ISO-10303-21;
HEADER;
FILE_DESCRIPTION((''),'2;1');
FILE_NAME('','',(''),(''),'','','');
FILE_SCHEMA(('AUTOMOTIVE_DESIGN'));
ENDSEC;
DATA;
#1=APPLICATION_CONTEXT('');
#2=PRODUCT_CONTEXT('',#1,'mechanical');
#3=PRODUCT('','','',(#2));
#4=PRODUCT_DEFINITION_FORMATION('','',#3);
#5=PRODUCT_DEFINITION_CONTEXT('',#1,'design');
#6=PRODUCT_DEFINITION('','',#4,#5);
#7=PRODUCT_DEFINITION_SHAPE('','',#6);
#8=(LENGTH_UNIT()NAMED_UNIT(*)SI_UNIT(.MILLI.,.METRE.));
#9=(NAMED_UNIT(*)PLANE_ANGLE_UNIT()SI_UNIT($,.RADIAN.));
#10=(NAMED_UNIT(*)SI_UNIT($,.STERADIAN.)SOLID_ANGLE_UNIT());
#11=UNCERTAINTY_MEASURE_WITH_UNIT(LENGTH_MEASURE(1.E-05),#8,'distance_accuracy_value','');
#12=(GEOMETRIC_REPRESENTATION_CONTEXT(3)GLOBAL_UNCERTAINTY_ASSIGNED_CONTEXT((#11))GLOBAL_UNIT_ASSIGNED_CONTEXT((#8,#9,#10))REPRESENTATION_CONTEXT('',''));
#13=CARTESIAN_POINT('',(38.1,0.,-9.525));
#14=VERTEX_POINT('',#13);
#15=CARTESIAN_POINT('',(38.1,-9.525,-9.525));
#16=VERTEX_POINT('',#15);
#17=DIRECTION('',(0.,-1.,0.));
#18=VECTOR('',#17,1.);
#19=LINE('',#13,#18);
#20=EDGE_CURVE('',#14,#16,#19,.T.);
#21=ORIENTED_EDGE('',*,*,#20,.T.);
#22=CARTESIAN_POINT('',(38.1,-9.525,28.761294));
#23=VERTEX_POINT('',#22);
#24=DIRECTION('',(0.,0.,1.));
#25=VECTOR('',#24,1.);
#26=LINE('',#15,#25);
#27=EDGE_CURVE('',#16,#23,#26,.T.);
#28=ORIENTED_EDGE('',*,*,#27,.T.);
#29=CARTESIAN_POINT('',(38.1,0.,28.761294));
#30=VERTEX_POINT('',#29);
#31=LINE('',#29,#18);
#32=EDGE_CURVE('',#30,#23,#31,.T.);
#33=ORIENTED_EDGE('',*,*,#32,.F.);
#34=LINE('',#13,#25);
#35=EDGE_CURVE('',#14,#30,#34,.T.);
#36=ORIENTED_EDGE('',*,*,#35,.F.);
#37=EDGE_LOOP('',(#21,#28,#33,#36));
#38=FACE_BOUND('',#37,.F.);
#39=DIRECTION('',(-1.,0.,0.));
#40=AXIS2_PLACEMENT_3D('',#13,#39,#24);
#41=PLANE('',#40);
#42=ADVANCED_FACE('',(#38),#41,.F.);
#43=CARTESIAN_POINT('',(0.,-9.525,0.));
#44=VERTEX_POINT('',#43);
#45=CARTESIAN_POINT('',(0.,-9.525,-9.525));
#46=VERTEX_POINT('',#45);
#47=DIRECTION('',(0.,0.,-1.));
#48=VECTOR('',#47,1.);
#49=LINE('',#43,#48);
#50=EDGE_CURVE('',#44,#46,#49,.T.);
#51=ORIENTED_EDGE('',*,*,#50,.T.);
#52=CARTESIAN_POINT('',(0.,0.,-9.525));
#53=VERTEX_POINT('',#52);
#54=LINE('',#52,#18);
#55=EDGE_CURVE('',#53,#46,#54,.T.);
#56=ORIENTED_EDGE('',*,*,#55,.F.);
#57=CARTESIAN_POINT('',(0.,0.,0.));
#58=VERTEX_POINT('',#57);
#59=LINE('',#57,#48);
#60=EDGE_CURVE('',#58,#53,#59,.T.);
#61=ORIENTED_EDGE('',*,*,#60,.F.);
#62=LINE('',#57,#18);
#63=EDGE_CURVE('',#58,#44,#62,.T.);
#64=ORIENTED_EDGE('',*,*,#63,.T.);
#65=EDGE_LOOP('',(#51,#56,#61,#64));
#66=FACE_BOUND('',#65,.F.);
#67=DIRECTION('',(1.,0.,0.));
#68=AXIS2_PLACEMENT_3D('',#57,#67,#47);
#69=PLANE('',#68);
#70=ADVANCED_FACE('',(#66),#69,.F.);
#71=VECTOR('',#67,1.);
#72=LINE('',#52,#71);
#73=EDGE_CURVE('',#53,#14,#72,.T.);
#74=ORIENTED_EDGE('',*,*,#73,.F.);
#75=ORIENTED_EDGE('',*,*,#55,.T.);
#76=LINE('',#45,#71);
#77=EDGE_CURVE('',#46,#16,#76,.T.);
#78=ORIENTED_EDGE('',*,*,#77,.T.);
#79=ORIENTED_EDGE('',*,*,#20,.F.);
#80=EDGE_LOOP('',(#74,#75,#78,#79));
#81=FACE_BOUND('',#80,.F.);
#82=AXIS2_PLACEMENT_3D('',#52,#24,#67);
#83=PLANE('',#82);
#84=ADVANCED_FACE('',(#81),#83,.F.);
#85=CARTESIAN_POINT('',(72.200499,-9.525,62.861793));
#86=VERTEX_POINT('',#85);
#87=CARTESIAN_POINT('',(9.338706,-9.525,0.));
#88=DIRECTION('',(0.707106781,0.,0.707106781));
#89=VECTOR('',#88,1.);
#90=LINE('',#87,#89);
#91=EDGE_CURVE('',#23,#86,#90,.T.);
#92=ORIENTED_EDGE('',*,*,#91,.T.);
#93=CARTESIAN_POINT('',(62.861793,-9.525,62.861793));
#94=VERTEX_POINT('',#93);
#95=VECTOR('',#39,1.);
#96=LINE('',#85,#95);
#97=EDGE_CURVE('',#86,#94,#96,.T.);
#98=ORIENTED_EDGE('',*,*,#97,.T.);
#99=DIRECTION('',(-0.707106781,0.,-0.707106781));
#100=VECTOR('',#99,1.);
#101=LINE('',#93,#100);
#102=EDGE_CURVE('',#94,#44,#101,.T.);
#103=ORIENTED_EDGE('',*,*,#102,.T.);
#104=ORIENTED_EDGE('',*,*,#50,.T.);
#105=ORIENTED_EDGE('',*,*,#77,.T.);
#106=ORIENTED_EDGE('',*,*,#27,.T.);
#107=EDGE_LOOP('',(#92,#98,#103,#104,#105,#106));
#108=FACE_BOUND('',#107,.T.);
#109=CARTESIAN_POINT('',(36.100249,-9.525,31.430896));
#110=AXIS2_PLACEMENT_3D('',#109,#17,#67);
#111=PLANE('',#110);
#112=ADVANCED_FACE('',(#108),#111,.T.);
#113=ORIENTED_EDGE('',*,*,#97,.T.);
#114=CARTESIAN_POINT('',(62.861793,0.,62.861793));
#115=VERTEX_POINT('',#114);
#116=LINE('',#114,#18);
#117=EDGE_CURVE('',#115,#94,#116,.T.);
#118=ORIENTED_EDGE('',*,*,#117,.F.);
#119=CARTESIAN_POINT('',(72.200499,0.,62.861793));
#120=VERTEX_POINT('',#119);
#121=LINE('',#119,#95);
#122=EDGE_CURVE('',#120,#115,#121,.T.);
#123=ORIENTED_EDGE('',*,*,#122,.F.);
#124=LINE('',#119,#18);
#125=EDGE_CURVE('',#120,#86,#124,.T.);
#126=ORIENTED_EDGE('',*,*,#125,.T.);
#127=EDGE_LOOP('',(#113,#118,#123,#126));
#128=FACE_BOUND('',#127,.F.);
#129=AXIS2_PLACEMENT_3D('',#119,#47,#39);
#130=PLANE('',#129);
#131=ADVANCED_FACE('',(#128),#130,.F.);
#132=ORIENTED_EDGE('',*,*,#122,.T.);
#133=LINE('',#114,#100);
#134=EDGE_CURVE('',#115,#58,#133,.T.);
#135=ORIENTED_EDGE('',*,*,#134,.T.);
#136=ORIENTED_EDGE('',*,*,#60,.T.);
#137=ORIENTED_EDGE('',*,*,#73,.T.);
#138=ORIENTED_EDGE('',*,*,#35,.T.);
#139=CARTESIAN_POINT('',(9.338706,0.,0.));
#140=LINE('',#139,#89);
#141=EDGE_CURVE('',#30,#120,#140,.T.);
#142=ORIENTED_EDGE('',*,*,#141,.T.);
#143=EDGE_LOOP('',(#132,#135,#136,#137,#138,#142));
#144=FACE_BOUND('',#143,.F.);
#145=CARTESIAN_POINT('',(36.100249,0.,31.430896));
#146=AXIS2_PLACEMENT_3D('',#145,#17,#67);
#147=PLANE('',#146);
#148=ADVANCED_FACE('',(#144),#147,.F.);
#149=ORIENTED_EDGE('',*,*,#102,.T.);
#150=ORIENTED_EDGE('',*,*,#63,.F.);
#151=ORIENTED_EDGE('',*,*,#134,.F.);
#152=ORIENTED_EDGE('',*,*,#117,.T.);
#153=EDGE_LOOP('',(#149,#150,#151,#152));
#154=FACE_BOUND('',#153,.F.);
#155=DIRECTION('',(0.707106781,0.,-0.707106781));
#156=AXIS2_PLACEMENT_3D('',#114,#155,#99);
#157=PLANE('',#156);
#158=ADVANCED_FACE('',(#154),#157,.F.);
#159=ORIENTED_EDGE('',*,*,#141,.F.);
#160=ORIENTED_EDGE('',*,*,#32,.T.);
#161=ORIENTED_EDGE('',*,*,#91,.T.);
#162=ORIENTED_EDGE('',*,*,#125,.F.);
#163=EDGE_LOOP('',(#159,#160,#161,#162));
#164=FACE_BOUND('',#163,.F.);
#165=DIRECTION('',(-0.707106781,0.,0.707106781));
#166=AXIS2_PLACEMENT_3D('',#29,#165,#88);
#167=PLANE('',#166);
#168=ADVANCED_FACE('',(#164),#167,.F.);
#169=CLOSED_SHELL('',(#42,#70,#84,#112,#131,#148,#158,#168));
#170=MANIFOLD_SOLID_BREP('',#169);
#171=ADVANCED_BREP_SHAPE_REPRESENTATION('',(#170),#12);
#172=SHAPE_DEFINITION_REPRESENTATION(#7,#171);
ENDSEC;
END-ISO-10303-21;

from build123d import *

# Parameters (mm, degrees)
F1_DEPTH = 9.525


with BuildPart() as f1:
    # F0 (on Front) → F1 (new body)
    with BuildSketch(Plane.XZ):
        Polygon((62.861793, 62.861793), (0, 0), (9.338706, 0), (38.1, 28.761294), (72.200499, 62.861793), align=None)
        Polygon((9.338706, 0), (0, 0), (0, -9.525), (38.1, -9.525), (38.1, 0), align=None)
        Polygon((38.1, 28.761294), (9.338706, 0), (38.1, 0), align=None)
    extrude(amount=F1_DEPTH)


solid = f1.part
